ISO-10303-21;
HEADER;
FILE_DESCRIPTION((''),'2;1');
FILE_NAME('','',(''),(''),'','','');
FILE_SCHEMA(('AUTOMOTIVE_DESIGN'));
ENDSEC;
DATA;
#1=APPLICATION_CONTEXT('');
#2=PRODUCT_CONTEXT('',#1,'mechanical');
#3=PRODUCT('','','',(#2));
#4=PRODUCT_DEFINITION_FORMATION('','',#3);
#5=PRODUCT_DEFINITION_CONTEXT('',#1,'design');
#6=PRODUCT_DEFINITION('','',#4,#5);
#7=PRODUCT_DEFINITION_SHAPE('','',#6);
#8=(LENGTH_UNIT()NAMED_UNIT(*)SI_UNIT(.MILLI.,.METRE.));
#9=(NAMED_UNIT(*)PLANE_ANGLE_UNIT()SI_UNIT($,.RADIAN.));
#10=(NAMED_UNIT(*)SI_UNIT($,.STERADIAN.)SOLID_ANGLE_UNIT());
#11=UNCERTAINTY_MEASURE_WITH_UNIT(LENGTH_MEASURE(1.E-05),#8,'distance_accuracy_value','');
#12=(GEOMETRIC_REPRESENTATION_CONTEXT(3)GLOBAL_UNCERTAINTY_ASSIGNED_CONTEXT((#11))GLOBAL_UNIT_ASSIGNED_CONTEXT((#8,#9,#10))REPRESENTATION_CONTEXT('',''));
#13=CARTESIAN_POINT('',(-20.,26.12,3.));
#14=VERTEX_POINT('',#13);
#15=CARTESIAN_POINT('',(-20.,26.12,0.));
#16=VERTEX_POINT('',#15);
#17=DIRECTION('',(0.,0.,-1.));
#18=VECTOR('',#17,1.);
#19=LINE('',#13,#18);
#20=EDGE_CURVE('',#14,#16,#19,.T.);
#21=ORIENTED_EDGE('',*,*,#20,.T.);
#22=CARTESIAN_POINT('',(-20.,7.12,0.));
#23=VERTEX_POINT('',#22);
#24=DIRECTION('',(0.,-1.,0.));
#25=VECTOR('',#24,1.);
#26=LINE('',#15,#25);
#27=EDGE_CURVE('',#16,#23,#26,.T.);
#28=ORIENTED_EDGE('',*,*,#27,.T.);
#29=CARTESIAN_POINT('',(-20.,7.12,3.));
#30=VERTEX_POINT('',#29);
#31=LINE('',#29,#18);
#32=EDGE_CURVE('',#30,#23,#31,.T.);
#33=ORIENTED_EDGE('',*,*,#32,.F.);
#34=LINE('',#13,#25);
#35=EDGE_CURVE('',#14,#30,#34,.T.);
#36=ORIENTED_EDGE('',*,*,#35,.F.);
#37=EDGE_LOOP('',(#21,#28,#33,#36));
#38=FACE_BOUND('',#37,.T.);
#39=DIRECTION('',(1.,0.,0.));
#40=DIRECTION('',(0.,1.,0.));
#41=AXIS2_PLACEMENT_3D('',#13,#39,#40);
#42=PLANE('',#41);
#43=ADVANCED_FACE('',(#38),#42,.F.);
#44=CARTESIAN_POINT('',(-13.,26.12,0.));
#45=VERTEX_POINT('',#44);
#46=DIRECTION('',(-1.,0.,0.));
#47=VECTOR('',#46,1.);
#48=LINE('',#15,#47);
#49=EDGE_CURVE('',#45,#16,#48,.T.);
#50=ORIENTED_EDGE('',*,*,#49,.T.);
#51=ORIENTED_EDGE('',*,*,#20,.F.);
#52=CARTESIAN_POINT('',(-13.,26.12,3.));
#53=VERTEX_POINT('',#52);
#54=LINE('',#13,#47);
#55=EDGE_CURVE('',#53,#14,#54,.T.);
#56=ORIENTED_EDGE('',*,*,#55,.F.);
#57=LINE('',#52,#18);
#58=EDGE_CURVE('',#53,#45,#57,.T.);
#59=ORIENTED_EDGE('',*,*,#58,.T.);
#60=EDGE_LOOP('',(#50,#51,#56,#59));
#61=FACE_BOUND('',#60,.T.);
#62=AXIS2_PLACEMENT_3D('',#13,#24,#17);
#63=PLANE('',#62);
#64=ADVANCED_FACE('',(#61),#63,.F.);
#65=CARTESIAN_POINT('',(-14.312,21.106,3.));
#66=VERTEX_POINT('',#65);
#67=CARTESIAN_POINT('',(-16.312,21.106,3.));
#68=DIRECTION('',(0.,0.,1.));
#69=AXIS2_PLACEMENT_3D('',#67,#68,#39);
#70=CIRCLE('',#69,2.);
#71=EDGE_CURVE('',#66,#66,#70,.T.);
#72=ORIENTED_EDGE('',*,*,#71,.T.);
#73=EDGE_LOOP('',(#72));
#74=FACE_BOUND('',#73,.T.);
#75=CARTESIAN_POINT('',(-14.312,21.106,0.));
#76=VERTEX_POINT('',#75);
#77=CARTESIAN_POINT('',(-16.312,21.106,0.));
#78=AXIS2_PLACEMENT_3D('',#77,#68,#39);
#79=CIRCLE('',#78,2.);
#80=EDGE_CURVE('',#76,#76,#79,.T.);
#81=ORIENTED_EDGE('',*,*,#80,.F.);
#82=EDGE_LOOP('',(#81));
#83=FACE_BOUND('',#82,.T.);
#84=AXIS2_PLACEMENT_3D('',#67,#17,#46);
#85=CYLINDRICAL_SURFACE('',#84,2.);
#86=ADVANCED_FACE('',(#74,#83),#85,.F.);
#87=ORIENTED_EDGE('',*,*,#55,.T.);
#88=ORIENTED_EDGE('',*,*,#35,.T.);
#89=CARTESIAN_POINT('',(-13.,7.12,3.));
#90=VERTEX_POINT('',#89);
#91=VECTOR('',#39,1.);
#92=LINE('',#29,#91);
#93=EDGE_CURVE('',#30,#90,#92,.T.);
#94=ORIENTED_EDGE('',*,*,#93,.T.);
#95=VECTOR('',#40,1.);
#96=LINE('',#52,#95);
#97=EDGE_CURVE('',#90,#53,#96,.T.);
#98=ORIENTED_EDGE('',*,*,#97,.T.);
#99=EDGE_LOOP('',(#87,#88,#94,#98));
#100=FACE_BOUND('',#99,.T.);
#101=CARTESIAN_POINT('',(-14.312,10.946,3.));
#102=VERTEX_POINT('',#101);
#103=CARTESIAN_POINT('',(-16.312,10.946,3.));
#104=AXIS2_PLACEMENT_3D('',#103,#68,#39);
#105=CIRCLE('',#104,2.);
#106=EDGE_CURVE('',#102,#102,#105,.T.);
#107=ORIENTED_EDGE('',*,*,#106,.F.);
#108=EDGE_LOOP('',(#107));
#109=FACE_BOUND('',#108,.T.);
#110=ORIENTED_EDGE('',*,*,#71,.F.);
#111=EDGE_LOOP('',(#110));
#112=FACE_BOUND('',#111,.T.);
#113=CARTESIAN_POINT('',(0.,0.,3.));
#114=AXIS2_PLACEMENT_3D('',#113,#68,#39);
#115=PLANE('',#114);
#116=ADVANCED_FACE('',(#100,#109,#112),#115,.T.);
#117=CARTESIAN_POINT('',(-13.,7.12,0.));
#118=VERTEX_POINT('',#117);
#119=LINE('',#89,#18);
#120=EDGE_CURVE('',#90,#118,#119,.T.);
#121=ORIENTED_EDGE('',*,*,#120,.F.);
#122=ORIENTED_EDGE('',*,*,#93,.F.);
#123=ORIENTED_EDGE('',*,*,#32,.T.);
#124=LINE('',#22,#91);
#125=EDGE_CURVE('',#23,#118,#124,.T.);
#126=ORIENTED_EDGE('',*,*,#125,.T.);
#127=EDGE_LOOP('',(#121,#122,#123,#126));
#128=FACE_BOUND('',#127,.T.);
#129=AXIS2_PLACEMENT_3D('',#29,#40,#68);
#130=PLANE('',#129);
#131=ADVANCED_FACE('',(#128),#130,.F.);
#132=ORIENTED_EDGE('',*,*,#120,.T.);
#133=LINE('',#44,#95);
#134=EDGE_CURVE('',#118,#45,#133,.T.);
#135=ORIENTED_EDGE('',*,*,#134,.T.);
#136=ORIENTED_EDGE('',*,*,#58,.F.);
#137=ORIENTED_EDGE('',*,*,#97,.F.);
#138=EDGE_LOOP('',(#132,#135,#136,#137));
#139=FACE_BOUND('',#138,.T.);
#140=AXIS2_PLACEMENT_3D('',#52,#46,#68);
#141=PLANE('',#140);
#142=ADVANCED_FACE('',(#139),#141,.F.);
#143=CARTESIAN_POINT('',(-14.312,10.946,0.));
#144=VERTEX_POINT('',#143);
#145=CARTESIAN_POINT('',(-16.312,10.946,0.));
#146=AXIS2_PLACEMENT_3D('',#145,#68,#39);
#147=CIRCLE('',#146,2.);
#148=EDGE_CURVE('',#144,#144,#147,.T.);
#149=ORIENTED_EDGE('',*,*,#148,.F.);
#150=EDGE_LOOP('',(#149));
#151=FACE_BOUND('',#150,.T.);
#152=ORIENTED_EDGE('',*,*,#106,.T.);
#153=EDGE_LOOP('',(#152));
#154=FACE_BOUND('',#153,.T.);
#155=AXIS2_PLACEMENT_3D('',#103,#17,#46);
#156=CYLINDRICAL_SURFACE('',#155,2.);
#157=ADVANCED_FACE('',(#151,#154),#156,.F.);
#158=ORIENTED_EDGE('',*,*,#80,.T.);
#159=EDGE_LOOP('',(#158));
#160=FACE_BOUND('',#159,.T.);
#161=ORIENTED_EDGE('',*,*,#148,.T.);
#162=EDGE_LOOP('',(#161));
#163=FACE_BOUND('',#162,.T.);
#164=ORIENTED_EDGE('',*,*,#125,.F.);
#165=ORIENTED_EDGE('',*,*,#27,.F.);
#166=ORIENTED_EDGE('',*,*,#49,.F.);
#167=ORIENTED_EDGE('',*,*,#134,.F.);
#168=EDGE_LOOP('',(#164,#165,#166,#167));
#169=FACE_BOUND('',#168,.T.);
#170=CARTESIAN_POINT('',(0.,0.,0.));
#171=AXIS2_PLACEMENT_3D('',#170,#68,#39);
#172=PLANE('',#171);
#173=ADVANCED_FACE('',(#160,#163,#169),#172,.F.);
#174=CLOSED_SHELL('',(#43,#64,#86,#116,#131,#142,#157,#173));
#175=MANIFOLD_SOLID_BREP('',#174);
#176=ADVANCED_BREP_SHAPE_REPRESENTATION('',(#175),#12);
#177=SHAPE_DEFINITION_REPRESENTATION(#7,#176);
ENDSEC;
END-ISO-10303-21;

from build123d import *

# Parameters (mm, degrees)
SKETCH2_W           = 7
SKETCH2_H           = 19
SKETCH2_R           = 2
BOSS_EXTRUDE1_DEPTH = 3


with BuildPart() as part:
    # Sketch2 → Boss-Extrude1 (new body)
    with BuildSketch(Plane.XY):
        with Locations((-16.5, 16.62)):
            Rectangle(SKETCH2_W, SKETCH2_H)
        with Locations((-16.312, 21.106)):
            Circle(SKETCH2_R, mode=Mode.SUBTRACT)
        with Locations((-16.312, 10.946)):
            Circle(SKETCH2_R, mode=Mode.SUBTRACT)
    extrude(amount=BOSS_EXTRUDE1_DEPTH)


solid = part.part
